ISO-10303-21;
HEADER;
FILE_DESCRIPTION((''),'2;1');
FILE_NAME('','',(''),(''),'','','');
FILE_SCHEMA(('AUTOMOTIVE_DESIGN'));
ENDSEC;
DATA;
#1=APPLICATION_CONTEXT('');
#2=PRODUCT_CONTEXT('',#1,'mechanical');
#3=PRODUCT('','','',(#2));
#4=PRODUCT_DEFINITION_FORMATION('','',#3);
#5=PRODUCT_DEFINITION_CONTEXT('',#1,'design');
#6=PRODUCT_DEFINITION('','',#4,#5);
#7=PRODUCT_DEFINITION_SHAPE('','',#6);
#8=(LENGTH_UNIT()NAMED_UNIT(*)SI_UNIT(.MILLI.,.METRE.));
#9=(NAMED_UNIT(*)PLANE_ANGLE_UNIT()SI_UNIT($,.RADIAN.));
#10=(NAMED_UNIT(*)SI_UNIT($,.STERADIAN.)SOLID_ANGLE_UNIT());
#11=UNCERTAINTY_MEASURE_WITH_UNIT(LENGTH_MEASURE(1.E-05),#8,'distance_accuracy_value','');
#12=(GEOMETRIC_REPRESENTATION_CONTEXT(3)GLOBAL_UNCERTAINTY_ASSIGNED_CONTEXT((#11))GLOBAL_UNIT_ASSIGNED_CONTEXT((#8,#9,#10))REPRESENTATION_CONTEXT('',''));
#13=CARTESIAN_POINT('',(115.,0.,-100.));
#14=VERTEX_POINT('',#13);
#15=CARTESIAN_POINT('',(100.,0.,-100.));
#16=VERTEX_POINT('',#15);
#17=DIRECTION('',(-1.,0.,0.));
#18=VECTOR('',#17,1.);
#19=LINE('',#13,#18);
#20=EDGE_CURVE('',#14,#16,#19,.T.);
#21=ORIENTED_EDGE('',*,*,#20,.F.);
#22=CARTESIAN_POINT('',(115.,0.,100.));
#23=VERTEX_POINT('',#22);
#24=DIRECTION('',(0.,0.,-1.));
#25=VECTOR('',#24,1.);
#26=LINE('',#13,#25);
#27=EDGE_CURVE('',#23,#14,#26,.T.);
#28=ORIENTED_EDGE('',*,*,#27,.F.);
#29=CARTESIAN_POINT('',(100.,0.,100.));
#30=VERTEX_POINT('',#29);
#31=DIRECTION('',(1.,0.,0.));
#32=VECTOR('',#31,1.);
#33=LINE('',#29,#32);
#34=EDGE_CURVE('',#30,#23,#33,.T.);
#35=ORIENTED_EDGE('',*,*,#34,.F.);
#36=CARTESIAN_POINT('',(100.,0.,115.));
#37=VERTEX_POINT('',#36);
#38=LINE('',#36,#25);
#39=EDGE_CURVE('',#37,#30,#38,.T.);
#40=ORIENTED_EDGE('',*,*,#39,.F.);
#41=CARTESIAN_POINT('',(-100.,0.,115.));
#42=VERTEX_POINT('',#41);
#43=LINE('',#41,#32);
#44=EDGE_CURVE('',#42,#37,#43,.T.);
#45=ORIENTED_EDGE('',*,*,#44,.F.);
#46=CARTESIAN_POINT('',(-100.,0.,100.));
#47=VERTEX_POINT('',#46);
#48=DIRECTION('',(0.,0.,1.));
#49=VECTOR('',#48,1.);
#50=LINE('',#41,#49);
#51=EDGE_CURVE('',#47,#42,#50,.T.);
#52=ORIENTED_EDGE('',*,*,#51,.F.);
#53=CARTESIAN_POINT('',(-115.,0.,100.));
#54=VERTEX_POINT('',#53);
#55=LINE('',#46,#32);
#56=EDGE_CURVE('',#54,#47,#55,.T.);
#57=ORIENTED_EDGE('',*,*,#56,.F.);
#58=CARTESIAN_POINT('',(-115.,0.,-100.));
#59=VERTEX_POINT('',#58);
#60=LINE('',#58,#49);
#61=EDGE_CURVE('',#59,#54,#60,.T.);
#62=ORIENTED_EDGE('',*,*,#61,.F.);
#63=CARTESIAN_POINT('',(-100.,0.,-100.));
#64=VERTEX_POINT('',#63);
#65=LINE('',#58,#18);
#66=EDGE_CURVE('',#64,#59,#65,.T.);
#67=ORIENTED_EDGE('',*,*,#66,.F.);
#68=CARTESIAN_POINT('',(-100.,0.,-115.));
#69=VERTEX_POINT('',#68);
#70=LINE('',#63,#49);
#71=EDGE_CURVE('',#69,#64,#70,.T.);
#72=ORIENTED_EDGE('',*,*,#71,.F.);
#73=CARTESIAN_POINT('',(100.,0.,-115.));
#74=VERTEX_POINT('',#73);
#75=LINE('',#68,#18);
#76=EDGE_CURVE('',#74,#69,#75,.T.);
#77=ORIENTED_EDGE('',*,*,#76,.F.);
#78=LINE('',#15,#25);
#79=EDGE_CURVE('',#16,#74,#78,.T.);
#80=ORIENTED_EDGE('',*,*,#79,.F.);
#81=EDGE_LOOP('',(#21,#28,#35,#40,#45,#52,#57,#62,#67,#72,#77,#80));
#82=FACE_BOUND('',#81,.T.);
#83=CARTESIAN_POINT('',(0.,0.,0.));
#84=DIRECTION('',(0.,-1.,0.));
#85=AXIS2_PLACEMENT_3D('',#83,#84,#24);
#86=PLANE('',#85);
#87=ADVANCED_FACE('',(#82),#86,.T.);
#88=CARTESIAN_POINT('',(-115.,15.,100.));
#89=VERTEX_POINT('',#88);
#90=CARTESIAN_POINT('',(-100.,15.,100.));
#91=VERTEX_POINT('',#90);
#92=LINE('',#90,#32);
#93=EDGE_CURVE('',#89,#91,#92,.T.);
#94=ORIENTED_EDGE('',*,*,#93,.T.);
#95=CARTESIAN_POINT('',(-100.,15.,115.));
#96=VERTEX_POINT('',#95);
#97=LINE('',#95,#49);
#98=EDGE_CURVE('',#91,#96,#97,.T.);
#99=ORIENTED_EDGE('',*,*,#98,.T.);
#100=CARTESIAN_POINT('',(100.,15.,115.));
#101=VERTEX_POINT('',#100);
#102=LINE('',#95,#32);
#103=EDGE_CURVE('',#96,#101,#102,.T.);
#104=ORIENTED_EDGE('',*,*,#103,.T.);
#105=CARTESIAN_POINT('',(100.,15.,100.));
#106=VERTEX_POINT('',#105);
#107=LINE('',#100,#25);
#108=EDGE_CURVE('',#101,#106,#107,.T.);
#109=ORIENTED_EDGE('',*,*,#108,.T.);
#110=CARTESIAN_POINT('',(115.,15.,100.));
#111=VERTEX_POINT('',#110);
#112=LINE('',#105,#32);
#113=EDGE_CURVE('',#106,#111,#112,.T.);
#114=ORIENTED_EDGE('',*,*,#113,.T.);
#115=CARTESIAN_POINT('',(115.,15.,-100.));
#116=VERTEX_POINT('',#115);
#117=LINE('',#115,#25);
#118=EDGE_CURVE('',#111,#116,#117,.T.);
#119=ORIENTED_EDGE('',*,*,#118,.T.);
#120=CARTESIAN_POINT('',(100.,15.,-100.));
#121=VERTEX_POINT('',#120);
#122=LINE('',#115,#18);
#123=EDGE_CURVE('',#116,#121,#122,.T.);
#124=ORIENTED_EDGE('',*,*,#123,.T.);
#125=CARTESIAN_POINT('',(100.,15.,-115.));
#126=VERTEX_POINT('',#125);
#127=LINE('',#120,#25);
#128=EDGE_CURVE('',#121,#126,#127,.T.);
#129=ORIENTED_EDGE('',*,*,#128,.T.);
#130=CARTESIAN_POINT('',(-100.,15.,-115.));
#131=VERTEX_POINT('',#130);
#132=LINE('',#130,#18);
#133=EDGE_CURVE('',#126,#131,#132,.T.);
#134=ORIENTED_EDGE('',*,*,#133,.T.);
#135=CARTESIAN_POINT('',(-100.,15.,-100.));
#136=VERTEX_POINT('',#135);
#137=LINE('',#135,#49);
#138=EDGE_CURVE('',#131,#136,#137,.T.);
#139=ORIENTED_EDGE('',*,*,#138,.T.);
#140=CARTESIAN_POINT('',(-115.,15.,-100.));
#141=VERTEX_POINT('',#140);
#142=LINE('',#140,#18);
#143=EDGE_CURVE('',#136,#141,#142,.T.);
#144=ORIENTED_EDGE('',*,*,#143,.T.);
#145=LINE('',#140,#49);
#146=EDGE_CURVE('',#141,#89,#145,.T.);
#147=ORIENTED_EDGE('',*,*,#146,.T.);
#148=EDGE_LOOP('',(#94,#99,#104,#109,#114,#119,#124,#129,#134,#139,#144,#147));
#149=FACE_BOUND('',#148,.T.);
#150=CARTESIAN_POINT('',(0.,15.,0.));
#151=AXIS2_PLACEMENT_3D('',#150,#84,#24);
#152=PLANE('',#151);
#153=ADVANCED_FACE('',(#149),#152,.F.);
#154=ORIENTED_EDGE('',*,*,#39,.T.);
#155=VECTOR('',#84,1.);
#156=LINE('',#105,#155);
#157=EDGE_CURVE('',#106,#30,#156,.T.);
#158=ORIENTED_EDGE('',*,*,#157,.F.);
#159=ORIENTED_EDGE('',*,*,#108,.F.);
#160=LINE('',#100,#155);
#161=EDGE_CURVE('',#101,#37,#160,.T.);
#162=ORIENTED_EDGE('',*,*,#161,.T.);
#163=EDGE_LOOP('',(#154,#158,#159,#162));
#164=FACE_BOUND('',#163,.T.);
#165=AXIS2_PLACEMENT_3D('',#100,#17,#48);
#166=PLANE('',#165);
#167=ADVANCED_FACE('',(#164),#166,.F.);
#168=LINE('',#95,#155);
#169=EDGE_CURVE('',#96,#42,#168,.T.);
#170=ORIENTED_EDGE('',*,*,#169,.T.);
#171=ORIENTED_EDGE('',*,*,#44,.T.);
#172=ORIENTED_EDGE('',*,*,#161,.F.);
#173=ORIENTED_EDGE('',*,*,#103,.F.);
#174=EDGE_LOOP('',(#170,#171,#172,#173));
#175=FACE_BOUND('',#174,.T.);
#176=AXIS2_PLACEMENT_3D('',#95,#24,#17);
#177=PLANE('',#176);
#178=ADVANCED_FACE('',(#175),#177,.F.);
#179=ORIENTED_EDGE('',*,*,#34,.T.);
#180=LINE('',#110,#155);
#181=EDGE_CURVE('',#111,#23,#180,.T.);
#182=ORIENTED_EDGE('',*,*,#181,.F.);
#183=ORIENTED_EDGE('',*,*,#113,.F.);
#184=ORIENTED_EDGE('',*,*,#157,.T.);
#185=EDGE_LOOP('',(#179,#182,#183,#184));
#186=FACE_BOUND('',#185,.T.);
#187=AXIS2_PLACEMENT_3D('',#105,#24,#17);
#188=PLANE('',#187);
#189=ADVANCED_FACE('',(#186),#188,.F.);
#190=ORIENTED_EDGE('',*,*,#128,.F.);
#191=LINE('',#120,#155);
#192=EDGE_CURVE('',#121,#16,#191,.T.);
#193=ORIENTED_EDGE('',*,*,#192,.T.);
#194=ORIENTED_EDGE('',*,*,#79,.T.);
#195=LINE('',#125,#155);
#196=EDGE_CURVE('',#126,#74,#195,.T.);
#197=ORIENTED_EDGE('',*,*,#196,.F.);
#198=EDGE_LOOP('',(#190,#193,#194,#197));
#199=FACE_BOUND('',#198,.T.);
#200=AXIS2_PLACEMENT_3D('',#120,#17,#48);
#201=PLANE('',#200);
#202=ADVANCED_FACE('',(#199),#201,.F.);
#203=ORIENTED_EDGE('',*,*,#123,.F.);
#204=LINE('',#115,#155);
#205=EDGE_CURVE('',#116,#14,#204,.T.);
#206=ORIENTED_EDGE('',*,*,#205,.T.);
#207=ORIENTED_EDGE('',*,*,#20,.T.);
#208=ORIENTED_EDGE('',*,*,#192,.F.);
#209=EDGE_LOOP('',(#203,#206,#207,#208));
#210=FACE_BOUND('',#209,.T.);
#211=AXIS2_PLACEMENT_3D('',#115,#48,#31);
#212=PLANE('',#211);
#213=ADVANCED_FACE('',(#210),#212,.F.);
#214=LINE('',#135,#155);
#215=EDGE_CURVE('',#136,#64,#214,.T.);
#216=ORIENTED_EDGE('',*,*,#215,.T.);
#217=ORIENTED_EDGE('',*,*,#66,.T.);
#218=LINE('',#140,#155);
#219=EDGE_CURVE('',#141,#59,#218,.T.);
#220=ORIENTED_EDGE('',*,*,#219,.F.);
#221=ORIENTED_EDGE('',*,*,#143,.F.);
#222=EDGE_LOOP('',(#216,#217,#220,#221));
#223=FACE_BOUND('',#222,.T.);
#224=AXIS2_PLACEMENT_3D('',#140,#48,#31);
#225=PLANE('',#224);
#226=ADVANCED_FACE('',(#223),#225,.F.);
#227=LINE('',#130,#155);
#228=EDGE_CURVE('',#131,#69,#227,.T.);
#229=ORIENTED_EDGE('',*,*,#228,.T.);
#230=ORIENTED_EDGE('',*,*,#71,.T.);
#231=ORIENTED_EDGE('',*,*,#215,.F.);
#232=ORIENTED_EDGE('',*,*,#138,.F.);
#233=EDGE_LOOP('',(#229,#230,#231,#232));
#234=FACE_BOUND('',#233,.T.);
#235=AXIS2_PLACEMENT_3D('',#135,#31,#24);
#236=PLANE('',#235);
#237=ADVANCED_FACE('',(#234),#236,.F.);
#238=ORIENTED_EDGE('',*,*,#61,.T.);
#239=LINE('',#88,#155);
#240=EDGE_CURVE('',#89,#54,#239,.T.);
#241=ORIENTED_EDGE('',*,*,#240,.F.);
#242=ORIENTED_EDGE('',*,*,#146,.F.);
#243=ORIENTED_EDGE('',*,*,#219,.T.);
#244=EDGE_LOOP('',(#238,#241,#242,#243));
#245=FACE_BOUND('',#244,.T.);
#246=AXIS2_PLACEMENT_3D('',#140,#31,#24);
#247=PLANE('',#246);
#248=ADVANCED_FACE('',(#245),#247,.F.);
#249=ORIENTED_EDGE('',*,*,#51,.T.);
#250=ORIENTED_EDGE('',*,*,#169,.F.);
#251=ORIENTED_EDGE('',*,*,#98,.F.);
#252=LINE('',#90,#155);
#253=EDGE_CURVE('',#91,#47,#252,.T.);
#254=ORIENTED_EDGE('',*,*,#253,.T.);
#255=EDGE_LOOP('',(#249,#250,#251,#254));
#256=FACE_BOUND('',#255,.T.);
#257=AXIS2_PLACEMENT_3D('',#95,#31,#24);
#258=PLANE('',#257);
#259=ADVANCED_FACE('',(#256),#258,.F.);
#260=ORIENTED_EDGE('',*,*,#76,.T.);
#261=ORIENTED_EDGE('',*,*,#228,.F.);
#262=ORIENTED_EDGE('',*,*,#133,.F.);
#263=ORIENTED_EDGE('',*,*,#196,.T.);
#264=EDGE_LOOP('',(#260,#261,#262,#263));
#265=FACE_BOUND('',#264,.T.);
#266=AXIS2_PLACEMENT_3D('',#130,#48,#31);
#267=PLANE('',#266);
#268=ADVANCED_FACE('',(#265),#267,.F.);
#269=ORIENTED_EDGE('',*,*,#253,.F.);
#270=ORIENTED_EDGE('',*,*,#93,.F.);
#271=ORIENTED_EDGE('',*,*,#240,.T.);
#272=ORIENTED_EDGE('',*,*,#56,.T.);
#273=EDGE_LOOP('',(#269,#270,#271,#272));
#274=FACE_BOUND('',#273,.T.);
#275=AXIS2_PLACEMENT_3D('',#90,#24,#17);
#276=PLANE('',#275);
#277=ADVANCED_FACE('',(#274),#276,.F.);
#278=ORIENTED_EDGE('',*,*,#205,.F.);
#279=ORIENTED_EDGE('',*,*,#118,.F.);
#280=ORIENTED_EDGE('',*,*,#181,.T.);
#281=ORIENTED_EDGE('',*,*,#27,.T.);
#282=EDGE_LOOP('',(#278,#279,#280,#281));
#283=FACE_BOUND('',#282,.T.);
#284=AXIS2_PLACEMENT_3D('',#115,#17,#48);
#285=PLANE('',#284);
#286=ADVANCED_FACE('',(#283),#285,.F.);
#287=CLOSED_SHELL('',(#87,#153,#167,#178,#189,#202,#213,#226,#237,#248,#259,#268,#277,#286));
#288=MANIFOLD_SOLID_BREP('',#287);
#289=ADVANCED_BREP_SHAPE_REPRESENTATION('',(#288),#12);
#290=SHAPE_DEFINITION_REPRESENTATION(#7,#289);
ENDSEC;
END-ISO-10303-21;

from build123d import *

# Parameters (mm, degrees)
EXTRUDE_1_DEPTH = 15


with BuildPart() as part:
    # 草图1 → 凸台-拉伸1 (new body)
    with BuildSketch(Plane(origin=(0, 0, 0), x_dir=(1, 0, 0), z_dir=(0, 1, 0))):
        Polygon((-115, 100), (-100, 100), (-100, 115), (100, 115), (100, 100), (115, 100), (115, -100), (100, -100), (100, -115), (-100, -115), (-100, -100), (-115, -100), align=None)
    extrude(amount=EXTRUDE_1_DEPTH)


solid = part.part
